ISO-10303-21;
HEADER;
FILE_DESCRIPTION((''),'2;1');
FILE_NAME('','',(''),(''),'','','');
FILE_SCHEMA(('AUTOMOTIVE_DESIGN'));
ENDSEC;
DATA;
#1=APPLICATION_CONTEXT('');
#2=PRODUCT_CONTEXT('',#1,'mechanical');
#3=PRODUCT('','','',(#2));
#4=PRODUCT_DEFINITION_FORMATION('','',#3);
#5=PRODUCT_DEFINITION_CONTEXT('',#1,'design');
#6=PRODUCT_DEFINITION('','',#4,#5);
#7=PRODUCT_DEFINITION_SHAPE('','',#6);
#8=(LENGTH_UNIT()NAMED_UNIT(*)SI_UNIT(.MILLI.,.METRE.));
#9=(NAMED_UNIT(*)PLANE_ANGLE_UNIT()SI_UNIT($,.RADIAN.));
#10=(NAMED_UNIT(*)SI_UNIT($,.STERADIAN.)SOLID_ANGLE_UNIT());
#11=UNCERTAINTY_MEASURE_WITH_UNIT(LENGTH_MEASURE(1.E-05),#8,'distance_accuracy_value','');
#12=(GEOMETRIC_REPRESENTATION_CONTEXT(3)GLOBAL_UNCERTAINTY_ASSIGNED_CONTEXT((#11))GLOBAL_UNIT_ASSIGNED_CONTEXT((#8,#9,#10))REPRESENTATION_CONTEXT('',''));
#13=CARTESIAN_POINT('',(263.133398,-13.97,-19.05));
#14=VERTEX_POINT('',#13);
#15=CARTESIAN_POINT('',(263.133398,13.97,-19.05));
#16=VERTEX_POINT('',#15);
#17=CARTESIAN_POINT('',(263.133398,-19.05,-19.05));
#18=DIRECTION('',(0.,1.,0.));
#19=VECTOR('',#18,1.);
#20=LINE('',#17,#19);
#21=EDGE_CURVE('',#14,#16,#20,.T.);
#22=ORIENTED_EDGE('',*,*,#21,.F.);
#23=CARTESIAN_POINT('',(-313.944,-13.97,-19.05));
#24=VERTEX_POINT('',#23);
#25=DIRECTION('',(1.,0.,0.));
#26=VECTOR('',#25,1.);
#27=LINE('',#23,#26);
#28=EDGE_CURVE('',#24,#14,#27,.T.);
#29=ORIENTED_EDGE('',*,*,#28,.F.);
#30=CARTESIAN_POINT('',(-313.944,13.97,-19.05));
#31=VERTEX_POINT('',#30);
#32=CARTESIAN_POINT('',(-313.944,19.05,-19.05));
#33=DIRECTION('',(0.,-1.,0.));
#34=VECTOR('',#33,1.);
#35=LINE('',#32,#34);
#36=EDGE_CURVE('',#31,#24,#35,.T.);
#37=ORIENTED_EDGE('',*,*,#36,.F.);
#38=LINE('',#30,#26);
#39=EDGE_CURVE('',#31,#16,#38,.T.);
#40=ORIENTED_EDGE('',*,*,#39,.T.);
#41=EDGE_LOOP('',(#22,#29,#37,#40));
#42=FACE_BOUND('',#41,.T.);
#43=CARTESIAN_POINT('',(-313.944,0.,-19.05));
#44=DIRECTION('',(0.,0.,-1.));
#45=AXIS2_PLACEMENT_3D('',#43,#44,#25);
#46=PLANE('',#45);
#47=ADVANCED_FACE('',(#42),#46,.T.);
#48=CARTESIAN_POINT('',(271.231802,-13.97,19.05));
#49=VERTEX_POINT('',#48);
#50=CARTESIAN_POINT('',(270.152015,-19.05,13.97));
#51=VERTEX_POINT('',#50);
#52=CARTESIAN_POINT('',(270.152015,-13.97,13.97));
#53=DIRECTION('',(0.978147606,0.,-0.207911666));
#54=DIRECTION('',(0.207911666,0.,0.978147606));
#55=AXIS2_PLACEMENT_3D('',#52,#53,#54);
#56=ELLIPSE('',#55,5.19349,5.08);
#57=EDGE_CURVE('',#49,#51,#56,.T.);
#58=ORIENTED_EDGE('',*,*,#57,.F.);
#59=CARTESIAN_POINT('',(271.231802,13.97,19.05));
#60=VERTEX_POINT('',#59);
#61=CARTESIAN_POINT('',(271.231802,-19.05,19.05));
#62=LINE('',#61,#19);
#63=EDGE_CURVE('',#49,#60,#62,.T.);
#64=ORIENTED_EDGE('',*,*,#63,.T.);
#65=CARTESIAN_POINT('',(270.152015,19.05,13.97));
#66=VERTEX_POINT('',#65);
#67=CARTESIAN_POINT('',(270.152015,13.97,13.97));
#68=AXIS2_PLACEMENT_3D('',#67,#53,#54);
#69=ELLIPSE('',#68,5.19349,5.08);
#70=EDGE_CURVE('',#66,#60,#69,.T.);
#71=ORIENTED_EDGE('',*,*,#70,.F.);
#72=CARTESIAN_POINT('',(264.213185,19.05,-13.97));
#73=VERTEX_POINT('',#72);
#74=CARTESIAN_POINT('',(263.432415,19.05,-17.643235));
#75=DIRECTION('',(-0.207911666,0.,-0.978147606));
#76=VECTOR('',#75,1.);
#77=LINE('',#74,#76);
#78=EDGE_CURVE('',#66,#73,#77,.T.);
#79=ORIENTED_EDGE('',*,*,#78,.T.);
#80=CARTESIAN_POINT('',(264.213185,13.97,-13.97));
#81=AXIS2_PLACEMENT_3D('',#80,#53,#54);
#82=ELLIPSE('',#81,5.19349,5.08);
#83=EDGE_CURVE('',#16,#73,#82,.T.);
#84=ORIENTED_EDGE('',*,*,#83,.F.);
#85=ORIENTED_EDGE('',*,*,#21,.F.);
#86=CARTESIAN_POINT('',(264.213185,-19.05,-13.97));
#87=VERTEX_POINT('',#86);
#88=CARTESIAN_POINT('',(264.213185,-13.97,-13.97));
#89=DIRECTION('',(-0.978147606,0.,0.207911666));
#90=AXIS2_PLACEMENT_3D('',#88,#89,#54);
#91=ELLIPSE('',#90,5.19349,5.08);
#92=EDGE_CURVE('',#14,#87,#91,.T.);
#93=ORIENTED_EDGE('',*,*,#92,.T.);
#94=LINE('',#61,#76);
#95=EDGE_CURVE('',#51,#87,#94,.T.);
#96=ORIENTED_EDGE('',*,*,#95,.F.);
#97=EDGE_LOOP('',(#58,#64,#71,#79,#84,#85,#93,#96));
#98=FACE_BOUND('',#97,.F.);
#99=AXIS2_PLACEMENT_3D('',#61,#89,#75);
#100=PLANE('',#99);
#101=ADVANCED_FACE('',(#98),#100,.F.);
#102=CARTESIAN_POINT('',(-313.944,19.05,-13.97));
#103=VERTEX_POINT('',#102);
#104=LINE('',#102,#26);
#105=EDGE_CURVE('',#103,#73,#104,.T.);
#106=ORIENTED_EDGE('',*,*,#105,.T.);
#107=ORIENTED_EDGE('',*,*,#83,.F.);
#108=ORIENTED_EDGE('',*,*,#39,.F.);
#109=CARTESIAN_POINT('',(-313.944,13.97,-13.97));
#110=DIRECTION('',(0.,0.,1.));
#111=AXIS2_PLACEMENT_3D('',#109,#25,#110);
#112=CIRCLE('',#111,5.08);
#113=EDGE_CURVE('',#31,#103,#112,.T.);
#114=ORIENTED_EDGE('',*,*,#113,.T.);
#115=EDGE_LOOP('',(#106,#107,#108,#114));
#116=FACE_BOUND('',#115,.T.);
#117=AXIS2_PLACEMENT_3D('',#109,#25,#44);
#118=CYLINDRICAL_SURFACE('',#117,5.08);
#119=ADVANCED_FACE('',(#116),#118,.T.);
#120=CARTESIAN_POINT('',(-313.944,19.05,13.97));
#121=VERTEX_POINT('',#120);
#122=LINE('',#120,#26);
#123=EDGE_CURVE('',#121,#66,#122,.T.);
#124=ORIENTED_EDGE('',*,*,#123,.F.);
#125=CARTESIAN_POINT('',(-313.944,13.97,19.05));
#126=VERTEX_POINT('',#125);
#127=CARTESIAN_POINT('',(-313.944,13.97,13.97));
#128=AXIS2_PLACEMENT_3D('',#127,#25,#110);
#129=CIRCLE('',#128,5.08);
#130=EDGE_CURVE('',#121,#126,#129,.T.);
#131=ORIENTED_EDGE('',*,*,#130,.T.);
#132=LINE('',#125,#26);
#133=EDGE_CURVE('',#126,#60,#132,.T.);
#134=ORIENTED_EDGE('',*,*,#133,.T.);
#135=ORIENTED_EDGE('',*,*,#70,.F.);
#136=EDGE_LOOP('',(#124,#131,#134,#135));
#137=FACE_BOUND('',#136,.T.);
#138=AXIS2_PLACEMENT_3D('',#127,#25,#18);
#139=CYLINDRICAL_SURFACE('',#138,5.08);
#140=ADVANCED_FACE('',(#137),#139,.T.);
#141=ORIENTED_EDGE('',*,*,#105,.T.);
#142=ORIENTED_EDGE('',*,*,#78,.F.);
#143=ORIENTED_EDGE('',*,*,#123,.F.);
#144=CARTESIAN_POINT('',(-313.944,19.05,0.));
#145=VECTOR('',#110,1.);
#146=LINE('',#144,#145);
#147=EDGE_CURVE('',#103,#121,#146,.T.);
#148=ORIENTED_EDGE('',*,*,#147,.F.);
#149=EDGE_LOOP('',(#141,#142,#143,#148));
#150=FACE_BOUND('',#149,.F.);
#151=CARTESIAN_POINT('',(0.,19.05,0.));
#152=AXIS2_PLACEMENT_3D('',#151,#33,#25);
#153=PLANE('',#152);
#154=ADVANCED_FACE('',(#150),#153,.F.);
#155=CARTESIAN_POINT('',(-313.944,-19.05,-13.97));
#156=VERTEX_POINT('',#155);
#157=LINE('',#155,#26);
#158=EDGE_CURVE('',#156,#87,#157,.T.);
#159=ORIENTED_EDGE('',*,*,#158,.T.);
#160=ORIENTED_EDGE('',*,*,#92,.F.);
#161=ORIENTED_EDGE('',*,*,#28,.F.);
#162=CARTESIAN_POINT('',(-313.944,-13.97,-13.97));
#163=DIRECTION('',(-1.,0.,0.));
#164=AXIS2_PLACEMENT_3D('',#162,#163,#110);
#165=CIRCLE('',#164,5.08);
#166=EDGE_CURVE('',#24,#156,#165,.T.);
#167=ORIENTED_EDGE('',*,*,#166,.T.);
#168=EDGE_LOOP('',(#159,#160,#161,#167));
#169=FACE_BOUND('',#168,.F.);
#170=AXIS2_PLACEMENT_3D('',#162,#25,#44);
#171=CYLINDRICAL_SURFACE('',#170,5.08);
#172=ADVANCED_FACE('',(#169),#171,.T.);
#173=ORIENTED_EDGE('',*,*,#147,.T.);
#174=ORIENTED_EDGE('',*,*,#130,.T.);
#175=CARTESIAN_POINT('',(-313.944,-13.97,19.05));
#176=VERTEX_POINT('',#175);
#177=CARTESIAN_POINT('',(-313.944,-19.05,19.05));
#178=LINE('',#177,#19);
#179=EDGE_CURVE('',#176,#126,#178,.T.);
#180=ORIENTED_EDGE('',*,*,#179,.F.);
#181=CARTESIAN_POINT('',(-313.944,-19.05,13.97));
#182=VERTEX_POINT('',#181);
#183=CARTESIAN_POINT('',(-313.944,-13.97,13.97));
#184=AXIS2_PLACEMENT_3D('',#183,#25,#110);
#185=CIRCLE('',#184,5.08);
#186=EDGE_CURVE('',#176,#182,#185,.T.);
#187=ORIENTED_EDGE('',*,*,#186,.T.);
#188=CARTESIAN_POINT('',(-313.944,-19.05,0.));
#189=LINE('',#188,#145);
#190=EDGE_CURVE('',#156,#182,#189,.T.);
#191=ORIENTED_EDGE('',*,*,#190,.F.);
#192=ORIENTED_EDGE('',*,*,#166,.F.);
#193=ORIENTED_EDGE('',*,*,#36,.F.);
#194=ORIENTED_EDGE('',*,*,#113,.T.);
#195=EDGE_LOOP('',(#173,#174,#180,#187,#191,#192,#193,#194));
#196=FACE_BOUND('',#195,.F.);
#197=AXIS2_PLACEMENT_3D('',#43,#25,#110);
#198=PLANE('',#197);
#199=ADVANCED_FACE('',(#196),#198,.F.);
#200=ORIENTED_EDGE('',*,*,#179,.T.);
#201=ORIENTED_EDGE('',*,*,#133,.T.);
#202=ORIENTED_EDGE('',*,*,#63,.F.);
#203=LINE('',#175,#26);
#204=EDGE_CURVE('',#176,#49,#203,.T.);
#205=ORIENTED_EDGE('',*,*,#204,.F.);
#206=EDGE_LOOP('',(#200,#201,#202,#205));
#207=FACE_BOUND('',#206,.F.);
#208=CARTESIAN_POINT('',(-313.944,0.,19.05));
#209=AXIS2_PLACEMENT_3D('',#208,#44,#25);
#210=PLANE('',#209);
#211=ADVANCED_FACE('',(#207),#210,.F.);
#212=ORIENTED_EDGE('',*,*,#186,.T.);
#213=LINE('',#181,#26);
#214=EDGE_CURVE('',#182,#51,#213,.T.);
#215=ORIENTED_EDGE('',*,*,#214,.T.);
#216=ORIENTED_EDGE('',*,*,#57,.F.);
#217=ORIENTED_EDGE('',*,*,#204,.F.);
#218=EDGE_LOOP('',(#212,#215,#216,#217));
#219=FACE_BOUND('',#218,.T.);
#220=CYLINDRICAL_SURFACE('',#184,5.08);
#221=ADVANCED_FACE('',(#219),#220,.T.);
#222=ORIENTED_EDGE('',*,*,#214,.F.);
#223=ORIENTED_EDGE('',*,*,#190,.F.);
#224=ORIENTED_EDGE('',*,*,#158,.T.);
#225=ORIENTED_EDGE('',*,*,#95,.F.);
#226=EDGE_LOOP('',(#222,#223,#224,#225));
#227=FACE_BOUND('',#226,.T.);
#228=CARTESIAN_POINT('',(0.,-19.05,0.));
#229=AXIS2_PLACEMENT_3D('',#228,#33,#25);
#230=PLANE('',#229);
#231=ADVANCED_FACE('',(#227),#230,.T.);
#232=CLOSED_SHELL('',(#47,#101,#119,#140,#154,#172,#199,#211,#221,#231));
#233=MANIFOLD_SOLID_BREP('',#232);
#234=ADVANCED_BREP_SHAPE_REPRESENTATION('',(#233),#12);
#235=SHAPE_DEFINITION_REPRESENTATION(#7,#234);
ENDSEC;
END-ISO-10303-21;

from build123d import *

# Parameters (mm, degrees)
F0_W     = 627.888
F0_H     = 38.1
F1_DEPTH = 19.05
F3_DEPTH = 38.101
F4_R     = 5.08


with BuildPart() as f1:
    # F0 (on Front) → F1 (new body, symmetric)
    with BuildSketch(Plane.XZ):
        Rectangle(F0_W, F0_H)
    extrude(amount=F1_DEPTH, both=True)

    # F2 (on face) → F3 (cut, through all)
    with BuildSketch(Plane.XZ.offset(19.05)):
        Polygon((313.944, 19.05), (271.231802, 19.05), (263.133398, -19.05), (313.944, -19.05), align=None)
    extrude(amount=-F3_DEPTH, mode=Mode.SUBTRACT)

    # F4
    f4_edges = [f1.edges().sort_by_distance(p)[0] for p in [
        (-21.356099, -19.05, 19.05),
        (-25.405301, -19.05, -19.05),
        (-21.356099, 19.05, 19.05),
        (-25.405301, 19.05, -19.05),
    ]]
    fillet(f4_edges, radius=F4_R)


solid = f1.part
